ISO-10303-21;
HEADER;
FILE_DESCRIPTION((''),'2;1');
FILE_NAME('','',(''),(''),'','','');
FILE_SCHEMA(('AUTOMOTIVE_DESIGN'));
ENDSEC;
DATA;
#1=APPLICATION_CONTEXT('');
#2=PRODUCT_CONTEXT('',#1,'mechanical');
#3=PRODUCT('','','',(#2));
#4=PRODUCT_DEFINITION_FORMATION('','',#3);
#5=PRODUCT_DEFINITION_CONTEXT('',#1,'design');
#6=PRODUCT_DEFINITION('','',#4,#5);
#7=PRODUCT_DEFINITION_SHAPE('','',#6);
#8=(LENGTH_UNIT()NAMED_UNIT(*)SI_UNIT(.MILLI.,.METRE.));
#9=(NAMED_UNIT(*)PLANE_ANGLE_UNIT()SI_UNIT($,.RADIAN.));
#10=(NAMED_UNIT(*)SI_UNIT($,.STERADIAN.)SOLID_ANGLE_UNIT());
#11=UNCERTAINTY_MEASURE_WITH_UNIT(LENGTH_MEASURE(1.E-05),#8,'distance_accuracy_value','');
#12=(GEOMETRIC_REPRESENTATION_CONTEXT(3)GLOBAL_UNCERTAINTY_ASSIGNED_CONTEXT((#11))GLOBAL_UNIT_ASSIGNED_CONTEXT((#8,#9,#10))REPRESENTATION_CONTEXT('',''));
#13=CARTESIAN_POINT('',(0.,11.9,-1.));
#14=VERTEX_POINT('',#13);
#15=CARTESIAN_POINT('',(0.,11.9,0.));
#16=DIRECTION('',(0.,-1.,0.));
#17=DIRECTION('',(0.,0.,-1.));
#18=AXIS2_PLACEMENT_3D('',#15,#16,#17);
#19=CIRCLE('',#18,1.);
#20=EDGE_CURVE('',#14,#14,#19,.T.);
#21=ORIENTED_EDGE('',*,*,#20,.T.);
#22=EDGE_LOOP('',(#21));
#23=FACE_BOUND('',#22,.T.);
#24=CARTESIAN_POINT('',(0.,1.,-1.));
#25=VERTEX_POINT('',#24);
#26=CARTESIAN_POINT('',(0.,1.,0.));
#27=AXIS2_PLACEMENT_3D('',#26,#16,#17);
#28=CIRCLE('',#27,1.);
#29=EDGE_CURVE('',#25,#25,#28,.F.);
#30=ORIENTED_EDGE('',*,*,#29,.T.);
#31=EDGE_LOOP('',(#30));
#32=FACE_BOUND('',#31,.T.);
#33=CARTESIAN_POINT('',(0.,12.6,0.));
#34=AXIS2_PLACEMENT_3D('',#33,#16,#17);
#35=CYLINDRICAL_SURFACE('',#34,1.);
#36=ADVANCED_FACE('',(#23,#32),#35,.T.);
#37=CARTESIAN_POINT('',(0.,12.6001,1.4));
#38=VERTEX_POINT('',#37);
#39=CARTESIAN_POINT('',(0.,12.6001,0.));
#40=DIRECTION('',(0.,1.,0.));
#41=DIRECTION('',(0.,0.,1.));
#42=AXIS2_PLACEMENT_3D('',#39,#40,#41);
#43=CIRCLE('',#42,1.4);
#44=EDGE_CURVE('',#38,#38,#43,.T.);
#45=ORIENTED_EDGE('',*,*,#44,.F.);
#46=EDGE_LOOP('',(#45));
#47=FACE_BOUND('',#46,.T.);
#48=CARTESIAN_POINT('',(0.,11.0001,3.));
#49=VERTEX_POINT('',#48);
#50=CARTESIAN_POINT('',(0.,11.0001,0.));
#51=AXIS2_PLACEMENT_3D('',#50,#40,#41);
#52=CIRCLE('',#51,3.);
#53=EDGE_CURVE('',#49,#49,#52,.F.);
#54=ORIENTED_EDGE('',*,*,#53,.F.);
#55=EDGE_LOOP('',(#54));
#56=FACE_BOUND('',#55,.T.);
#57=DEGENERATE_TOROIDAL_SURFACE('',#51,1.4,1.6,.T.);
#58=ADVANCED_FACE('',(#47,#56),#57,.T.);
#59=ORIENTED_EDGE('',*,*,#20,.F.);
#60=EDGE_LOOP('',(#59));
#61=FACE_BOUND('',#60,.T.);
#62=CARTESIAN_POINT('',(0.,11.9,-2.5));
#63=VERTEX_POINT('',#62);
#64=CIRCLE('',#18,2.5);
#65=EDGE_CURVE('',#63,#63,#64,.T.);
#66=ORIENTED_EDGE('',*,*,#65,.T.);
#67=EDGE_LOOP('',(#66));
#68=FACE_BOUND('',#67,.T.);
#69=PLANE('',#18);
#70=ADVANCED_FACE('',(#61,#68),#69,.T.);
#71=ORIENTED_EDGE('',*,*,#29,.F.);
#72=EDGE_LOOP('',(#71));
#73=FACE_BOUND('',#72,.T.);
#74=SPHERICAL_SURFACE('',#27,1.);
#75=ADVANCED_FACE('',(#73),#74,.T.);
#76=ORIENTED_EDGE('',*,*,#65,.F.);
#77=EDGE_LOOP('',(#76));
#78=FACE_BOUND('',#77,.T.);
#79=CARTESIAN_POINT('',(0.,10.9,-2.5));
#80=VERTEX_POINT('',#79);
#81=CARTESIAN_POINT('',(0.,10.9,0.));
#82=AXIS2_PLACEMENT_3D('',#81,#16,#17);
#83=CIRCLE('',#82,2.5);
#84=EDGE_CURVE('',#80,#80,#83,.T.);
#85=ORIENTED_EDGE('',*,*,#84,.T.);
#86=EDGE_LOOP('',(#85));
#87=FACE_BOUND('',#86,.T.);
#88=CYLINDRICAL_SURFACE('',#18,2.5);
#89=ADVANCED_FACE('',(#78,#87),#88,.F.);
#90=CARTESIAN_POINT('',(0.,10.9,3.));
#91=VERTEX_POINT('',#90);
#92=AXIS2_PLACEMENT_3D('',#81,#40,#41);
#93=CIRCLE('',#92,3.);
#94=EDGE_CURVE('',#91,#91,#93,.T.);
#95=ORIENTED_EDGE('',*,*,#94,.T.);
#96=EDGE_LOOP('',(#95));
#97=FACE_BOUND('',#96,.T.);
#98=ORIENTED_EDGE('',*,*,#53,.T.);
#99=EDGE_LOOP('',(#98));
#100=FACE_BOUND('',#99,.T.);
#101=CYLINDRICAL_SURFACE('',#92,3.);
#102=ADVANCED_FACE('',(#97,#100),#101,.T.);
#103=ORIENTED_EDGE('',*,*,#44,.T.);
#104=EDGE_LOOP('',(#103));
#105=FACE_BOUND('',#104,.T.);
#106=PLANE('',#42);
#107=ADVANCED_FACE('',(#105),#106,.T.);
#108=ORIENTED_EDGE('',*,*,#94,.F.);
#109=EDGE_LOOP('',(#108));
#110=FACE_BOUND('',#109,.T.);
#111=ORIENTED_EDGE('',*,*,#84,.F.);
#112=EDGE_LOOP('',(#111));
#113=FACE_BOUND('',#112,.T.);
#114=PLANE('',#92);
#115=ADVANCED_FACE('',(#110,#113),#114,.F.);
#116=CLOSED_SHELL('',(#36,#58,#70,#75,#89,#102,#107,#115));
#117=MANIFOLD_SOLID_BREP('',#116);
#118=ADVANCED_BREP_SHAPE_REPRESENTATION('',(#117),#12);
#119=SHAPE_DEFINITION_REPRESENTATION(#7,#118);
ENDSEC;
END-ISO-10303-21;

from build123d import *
from build123d.topology import SkipClean

# Parameters (mm, degrees)
CROQUIS2_R                   = 1
SALIENTE_EXTRUIR1_DEPTH      = 12.6
REDONDEO5_R                  = 1
SALIENTE_EXTRUIR2_DEPTH      = 0.0001
SALIENTE_EXTRUIR2_DEPTH_BACK = 1.7
CROQUIS3_R                   = 3
REDONDEO6_R                  = 1.6
CROQUIS4_R                   = 2.5
CROQUIS4_R_2                 = 1
CORTAR_EXTRUIR6_DEPTH        = 1


with BuildPart() as part:
    # Croquis2 → Saliente-Extruir1 (new body)
    with BuildSketch(Plane(origin=(0, 0, 0), x_dir=(1, 0, 0), z_dir=(0, 1, 0))):
        with Locations(Location((0, 0, 0), (0, 0, 270))):
            Circle(CROQUIS2_R)
    extrude(amount=SALIENTE_EXTRUIR1_DEPTH)

    # Redondeo5
    redondeo5_edges = [part.edges().sort_by_distance(p)[0] for p in [
        (0, 0, -1),
    ]]
    fillet(redondeo5_edges, radius=REDONDEO5_R)

    # Croquis3 → Saliente-Extruir2 (add, two sides: drawn at the far end of the back side and taken through both)
    with BuildSketch(Plane(origin=(0, 12.6, 0), x_dir=(1, 0, 0), z_dir=(0, 1, 0)).offset(-SALIENTE_EXTRUIR2_DEPTH_BACK)):
        with Locations(Location((0, 0, 0), (0, 0, 270))):
            Circle(CROQUIS3_R)
    extrude(amount=SALIENTE_EXTRUIR2_DEPTH + SALIENTE_EXTRUIR2_DEPTH_BACK)

    # Redondeo6
    redondeo6_edges = [part.edges().sort_by_distance(p)[0] for p in [
        (0, 12.6001, -3),
    ]]
    fillet(redondeo6_edges, radius=REDONDEO6_R)

    # Croquis4 → Cortar-Extruir6 (cut)
    with SkipClean():  # the faces are left unmerged after this step: merging them gives an invalid solid
        with BuildSketch(Plane(origin=(0, 10.9, 0), x_dir=(-1, 0, 0), z_dir=(0, -1, 0))):
            with Locations(Location((0, 0, 0), (0, 0, 90))):
                Circle(CROQUIS4_R)
            with Locations(Location((0, 0, 0), (0, 0, 90))):
                Circle(CROQUIS4_R_2, mode=Mode.SUBTRACT)
        extrude(amount=-CORTAR_EXTRUIR6_DEPTH, mode=Mode.SUBTRACT)


solid = part.part
